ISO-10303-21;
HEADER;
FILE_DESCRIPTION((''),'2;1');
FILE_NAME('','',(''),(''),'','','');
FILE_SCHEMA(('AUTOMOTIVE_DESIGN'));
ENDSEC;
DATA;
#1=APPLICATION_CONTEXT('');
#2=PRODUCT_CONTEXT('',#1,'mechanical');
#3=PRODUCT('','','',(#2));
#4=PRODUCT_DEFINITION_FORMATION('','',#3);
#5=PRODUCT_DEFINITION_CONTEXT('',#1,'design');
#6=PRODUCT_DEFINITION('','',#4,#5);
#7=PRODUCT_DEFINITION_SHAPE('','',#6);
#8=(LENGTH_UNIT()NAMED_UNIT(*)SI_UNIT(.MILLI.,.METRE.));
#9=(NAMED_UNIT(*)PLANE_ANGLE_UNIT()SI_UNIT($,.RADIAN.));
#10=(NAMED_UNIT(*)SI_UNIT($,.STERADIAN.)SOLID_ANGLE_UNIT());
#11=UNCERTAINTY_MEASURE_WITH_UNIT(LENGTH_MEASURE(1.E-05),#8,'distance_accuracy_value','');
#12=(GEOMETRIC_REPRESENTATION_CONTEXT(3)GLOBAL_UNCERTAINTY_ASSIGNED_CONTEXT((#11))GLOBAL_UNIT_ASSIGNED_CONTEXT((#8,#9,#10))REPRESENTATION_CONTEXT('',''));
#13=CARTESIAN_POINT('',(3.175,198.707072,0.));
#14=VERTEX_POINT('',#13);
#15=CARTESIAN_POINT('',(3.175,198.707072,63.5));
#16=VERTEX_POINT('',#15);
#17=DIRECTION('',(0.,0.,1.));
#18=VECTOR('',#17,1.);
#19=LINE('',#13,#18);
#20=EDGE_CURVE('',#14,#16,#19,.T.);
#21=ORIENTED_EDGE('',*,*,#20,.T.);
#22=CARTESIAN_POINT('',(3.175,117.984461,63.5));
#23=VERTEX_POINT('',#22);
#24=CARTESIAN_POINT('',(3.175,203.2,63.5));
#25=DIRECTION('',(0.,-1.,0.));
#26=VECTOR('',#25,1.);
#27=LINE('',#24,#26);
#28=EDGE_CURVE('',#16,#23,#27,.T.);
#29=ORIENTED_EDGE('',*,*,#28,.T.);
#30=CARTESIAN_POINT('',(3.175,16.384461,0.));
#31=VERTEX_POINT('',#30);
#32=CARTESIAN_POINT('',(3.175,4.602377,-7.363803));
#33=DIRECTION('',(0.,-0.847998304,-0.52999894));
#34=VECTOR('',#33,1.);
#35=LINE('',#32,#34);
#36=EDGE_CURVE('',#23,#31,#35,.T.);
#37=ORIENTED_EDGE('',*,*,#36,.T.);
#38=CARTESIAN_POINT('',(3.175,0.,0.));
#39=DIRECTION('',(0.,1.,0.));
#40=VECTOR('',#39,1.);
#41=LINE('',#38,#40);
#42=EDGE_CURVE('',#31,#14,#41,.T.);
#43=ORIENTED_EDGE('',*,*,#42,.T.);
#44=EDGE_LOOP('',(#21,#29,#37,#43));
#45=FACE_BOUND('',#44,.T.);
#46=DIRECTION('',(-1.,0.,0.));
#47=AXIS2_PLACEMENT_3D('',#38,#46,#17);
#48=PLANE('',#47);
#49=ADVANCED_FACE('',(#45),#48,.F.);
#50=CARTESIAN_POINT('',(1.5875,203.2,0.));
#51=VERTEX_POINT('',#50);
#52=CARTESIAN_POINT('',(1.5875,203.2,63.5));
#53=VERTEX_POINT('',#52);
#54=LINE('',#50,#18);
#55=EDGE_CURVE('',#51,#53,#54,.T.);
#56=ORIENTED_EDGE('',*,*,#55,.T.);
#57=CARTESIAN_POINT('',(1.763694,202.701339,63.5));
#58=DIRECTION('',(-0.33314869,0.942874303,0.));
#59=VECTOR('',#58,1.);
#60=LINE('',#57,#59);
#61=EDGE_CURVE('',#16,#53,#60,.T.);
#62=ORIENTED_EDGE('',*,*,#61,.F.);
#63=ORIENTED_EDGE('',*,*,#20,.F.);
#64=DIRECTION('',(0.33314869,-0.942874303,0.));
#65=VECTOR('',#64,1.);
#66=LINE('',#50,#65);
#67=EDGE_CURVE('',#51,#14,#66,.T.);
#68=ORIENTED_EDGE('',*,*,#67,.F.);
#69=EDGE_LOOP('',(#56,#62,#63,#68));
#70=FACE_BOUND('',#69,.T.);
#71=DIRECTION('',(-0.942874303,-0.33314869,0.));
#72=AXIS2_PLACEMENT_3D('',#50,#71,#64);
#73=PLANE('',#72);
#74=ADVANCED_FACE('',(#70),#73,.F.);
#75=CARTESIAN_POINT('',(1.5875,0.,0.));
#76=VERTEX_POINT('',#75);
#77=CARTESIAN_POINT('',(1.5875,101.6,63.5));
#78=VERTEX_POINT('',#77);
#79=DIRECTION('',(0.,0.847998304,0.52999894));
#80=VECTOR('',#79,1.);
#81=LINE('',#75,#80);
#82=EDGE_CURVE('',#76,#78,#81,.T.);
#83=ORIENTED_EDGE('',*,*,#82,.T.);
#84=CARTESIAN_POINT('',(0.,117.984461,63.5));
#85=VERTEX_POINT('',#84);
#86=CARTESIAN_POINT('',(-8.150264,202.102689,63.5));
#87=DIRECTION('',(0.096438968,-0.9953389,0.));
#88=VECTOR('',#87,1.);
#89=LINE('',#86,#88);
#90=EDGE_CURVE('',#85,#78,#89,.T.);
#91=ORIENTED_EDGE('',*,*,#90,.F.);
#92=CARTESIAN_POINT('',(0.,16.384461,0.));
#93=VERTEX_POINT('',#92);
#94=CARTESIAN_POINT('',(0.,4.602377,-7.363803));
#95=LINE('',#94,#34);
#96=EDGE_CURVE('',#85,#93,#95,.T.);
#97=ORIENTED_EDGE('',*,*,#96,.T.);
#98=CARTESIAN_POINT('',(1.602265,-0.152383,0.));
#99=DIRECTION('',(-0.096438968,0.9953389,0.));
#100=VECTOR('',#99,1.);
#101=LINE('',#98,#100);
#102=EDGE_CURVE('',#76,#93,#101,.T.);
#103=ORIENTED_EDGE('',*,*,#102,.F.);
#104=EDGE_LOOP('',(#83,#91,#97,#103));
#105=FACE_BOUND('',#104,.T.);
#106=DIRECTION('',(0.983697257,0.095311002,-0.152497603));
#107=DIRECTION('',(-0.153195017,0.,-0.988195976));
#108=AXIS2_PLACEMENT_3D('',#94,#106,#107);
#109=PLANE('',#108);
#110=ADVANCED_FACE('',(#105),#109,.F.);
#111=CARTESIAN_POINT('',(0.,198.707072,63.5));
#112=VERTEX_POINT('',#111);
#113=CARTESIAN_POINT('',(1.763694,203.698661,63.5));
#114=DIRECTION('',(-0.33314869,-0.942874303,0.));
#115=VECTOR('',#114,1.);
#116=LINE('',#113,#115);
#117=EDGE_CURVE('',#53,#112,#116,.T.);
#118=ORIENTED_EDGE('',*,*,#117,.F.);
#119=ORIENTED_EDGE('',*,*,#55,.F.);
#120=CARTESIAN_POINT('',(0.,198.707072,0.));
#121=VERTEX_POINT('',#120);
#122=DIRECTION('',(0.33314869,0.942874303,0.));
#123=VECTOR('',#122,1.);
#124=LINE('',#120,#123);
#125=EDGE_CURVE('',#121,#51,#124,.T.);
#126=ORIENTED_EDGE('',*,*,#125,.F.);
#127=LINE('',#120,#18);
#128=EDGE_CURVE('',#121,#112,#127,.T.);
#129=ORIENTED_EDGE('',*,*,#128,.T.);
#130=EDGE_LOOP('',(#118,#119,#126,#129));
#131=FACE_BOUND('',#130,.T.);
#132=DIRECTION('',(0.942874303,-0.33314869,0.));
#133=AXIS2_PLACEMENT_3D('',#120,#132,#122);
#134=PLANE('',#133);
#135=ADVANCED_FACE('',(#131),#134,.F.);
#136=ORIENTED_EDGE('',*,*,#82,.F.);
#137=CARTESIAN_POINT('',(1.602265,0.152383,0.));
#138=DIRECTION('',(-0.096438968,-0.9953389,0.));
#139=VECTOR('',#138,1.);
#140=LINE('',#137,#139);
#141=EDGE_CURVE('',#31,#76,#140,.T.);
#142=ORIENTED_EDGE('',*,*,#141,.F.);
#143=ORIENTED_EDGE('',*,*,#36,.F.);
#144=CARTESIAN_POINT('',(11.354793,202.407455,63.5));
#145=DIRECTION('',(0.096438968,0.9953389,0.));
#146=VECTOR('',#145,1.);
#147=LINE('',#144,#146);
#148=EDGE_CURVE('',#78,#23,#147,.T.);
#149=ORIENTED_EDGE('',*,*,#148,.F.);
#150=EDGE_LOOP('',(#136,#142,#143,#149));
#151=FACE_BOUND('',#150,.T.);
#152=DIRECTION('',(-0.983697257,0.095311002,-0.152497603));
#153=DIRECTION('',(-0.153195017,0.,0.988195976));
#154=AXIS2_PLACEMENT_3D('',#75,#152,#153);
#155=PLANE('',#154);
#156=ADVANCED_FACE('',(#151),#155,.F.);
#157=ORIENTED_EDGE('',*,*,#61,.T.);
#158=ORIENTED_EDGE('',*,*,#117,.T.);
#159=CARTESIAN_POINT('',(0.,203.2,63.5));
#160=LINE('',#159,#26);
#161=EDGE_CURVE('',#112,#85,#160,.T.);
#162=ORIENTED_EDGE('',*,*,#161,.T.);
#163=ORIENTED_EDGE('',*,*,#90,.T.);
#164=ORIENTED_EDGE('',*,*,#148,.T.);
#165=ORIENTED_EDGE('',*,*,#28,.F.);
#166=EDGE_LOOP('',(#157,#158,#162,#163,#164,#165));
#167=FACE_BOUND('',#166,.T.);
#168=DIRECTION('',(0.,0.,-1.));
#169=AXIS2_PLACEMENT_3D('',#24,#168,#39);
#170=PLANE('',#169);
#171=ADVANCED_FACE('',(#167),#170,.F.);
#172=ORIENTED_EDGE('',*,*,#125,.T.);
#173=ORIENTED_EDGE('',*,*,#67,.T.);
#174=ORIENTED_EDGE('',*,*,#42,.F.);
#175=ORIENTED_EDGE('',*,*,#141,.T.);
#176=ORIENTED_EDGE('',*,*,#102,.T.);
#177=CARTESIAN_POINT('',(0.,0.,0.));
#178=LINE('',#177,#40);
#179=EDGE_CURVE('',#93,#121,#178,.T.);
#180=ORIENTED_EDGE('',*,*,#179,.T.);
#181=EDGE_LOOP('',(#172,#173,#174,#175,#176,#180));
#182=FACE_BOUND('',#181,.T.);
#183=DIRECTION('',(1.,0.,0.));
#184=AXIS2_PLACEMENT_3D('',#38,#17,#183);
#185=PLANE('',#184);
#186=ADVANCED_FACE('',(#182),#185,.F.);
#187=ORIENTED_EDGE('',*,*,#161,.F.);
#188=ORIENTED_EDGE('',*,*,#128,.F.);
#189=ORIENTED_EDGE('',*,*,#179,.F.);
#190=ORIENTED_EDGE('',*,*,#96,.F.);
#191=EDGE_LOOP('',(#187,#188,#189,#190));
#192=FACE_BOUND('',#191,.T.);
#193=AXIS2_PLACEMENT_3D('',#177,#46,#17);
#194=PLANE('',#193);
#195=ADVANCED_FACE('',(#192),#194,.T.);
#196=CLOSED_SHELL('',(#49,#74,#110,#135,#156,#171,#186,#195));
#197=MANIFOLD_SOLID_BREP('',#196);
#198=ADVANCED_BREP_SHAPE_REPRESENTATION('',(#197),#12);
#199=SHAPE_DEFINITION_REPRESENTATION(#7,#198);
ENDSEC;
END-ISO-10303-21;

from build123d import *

# Parameters (mm, degrees)
BOSS_EXTRUDE1_DEPTH     = 3.175
CUT_EXTRUDE1_DEPTH      = 120.85362166
CUT_EXTRUDE1_DEPTH_BACK = 120.85362166
CUT_EXTRUDE2_DEPTH      = 213.914467862
CUT_EXTRUDE2_DEPTH_BACK = 213.914467862


with BuildPart() as part:
    # Sketch1 → Boss-Extrude1 (new body)
    with BuildSketch(Plane.YZ):
        Polygon((0, 0), (203.2, 0), (203.2, 63.5), (101.6, 63.5), align=None)
    extrude(amount=BOSS_EXTRUDE1_DEPTH)

    # Sketch2 → Cut-Extrude1 (cut, two sides: drawn at the far end of the back side and taken through both)
    with BuildSketch(Plane(origin=(0, 101.6, 63.5), x_dir=(-1, 0, 0), z_dir=(0, 0.8479983040050879, 0.52999894000318)).offset(-CUT_EXTRUDE1_DEPTH_BACK)):
        Polygon((-3.175, -8.683746968), (-3.175, 1.50596977), (0, 1.50596977), (0, -8.683746968), (-1.5875, 0), align=None)
    extrude(amount=CUT_EXTRUDE1_DEPTH + CUT_EXTRUDE1_DEPTH_BACK, mode=Mode.SUBTRACT)

    # Sketch3 → Cut-Extrude2 (cut, two sides: drawn at the far end of the back side and taken through both)
    with BuildSketch(Plane.XY.offset(63.5).offset(-CUT_EXTRUDE2_DEPTH_BACK)):
        Polygon((0, 198.707072367), (1.5875, 203.2), (3.175, 198.707072367), (3.175, 209.769975366), (0, 209.769975366), align=None)
    extrude(amount=CUT_EXTRUDE2_DEPTH + CUT_EXTRUDE2_DEPTH_BACK, mode=Mode.SUBTRACT)


solid = part.part
